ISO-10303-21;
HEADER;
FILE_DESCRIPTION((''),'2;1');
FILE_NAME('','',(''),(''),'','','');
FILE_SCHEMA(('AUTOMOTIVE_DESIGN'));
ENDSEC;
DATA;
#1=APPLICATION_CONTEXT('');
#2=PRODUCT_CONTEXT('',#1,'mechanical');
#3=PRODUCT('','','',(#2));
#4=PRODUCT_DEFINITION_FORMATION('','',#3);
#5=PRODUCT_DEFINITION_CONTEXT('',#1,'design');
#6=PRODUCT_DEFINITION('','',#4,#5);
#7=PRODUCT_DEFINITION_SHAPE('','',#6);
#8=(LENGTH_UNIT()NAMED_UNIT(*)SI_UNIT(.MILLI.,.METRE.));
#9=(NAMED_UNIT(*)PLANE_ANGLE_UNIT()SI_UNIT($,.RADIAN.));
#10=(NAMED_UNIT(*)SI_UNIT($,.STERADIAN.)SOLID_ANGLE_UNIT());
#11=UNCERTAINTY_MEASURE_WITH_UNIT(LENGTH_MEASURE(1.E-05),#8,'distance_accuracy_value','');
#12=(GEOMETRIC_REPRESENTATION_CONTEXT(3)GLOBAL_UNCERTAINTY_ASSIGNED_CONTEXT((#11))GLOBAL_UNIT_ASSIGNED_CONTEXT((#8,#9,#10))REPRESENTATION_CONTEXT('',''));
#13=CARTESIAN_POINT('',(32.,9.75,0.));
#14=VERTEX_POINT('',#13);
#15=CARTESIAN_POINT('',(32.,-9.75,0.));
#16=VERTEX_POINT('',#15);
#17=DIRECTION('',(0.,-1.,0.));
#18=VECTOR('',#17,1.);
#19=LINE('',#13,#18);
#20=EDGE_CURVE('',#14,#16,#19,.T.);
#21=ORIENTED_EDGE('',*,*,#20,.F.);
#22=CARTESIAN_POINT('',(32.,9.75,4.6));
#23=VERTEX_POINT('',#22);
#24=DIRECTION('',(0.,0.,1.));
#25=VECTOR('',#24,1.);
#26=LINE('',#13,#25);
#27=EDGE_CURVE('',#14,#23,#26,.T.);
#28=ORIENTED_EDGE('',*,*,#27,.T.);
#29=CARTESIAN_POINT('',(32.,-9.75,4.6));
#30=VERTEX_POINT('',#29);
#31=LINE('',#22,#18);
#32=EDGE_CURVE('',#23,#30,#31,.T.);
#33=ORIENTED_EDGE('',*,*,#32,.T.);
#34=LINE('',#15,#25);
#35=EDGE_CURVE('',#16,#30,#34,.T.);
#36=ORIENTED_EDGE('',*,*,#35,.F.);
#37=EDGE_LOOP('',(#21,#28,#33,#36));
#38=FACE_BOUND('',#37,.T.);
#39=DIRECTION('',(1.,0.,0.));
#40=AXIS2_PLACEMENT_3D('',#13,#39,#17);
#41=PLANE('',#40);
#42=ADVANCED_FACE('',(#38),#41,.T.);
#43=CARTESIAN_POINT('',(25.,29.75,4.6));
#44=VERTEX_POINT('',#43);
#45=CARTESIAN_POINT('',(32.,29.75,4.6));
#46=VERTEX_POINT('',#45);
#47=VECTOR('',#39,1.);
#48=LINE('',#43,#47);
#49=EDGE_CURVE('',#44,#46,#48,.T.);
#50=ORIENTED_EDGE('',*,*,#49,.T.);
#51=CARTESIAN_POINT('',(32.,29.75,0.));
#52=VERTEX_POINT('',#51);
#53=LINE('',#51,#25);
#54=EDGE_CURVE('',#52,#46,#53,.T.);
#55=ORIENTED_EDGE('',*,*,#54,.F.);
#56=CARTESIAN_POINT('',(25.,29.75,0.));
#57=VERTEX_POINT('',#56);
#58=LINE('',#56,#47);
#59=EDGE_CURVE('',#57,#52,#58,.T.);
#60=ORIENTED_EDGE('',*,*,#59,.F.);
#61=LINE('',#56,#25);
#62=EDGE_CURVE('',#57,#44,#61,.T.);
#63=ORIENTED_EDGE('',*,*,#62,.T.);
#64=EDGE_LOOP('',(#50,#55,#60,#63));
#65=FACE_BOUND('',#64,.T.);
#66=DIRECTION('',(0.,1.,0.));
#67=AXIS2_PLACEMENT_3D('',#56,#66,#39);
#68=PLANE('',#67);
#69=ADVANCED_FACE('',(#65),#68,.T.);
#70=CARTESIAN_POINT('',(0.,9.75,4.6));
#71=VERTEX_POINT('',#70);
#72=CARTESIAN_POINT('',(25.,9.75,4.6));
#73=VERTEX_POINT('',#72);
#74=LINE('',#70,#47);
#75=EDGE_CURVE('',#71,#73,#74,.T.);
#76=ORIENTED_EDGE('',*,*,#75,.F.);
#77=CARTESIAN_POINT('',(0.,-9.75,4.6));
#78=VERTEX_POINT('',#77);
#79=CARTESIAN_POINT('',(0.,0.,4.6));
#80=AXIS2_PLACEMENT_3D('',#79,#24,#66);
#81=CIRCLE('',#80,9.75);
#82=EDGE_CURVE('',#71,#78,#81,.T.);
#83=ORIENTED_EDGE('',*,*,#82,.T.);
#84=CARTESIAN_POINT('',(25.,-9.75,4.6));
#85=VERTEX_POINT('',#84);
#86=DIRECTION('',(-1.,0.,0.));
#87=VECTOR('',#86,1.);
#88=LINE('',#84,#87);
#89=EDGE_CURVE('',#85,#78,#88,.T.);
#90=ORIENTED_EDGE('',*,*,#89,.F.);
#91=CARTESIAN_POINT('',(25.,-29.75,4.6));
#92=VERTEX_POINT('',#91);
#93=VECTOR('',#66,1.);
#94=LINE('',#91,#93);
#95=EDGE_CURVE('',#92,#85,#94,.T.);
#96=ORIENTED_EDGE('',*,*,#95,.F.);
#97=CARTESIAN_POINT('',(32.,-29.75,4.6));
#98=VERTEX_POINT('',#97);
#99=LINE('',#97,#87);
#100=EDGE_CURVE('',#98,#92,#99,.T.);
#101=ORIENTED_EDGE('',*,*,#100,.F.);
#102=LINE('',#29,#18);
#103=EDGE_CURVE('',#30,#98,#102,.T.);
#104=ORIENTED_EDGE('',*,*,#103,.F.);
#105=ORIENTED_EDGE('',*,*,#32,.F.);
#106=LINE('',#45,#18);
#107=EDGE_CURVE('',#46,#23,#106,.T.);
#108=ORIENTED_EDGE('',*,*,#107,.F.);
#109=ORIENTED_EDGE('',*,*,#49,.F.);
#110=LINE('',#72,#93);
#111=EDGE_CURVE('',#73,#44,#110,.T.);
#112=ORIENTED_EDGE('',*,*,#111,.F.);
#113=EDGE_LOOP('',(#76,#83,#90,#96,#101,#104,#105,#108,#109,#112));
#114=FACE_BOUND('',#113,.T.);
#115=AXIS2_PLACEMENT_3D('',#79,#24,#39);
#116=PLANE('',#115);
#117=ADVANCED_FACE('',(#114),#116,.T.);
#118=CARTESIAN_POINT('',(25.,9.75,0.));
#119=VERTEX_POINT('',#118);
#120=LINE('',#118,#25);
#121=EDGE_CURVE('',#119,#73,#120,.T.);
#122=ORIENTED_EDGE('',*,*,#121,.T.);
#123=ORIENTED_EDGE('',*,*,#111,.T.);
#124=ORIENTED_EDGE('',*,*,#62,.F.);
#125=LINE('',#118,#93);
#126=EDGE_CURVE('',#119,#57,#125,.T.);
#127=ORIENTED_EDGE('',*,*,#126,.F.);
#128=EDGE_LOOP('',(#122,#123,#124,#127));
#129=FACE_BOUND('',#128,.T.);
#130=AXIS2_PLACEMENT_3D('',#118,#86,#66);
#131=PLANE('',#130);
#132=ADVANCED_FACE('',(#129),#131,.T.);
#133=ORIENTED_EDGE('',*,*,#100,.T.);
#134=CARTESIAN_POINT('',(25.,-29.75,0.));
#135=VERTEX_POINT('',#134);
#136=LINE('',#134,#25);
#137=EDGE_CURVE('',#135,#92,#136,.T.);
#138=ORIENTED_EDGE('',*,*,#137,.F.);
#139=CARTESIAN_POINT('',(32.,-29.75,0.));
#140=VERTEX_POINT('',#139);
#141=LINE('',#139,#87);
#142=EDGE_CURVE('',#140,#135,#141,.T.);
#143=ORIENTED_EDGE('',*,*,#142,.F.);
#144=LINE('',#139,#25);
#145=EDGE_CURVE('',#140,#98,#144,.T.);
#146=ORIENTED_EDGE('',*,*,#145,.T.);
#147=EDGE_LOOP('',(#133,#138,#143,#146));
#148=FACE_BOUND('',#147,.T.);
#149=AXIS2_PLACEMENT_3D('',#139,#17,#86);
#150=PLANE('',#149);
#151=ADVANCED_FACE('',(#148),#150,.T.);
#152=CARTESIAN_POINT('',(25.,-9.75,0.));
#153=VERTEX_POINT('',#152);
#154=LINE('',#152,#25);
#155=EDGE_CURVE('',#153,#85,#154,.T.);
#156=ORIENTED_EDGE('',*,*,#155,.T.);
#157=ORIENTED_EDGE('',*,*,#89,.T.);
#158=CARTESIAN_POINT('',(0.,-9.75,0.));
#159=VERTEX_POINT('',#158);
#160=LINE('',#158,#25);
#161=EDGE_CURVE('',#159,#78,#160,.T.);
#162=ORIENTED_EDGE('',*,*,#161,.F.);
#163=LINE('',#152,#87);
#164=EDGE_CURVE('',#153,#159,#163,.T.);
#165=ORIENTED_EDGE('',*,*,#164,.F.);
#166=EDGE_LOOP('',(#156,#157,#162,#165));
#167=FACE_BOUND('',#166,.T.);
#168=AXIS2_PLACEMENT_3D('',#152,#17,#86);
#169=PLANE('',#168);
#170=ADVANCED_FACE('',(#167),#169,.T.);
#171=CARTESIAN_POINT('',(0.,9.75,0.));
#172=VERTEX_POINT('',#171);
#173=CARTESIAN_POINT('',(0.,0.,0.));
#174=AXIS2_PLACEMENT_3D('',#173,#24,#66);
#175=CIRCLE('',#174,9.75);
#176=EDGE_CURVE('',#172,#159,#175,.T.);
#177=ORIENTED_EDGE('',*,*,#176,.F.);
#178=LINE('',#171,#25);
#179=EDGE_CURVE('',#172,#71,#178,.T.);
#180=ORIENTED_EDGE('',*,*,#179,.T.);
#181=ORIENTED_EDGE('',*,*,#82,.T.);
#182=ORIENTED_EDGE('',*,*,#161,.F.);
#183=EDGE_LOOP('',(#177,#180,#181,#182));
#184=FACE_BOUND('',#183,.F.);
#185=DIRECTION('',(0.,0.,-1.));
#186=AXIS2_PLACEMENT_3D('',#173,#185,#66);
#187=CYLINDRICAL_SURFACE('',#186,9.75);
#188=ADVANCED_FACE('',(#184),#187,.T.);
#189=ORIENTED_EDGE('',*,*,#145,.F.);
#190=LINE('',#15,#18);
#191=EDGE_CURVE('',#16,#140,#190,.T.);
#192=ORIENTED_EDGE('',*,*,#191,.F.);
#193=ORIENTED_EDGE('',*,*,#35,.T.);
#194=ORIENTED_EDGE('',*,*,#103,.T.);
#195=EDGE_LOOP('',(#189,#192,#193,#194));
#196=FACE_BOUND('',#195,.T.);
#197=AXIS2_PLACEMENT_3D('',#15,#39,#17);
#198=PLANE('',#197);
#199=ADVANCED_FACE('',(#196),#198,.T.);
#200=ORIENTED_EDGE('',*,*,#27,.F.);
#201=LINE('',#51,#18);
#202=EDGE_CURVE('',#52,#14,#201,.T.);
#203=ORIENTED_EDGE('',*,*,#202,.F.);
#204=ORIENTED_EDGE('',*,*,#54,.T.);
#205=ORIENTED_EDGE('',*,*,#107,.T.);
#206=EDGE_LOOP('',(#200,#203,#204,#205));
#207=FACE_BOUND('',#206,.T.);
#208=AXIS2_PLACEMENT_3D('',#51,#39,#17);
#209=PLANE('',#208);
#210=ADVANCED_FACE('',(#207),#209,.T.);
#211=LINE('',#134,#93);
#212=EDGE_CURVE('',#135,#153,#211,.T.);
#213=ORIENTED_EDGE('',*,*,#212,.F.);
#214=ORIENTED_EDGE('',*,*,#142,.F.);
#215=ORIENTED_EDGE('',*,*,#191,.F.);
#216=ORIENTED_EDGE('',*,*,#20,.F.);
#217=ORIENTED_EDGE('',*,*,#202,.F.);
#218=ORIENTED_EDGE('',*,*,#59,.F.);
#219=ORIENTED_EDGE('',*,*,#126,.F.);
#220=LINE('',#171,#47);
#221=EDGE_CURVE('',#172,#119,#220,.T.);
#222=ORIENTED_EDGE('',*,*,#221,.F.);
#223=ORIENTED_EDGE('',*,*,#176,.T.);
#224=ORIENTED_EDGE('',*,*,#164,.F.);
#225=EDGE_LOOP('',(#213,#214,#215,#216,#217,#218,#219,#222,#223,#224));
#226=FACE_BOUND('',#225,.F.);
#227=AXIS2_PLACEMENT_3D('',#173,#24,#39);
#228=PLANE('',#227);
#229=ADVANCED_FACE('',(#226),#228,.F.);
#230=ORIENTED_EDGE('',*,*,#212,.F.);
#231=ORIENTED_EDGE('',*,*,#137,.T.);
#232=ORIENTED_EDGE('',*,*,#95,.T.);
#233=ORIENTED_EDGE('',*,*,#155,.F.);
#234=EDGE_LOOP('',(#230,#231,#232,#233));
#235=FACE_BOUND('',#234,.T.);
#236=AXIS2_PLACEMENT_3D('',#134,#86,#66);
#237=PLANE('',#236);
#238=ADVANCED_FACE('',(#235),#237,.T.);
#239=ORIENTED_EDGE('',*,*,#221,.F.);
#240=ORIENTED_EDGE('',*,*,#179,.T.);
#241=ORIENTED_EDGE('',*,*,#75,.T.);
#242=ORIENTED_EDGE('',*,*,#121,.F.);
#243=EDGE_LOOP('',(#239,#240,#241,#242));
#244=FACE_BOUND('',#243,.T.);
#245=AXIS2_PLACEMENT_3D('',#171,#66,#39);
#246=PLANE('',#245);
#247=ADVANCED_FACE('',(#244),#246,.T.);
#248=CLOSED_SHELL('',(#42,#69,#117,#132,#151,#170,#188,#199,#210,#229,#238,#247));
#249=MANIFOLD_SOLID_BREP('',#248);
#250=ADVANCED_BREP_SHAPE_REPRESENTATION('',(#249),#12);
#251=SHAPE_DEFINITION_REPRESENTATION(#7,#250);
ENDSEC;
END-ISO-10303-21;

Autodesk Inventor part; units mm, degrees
ref_plane "YZ Plane" through (0, 0, 0) normal (1, 0, 0) x (0, 1, 0)
ref_plane "XZ Plane" through (0, 0, 0) normal (0, 1, 0) x (-1, 0, 0)
ref_plane "XY Plane" through (0, 0, 0) normal (0, 0, 1) x (1, 0, 0)
sketch "Sketch1" plane through (0, 0, 0) normal (0, 0, 1) x (1, 0, 0)
  arc A0 (0, 9.75) -> (0, -9.75) centre (0, 0) ccw
  line L0 (0, 9.75) -> (25, 9.75)
  line L1 (25, -9.75) -> (0, -9.75)
  line L2 (25, 9.75) -> (25, 29.75)
  line L3 (25, 29.75) -> (32, 29.75)
  line L4 (32, 29.75) -> (32, 9.75)
  line L5 (32, 9.75) -> (32, -9.75)
  line L6 (32, -9.75) -> (32, -29.75)
  line L7 (32, -29.75) -> (25, -29.75)
  line L8 (25, -29.75) -> (25, -9.75)
  dimension "d0" = 19.5
  dimension "d1" = 25
  dimension "d4" = 20
  dimension "d5" = 7
  dimension "d6" = 20
  dimension "d7" = 59.5
  dimension "d8" = 20
extrude "Extrusion1" add sketch "Sketch1" along normal blind 4.6
properties part number "Air Restricter 1.1"
